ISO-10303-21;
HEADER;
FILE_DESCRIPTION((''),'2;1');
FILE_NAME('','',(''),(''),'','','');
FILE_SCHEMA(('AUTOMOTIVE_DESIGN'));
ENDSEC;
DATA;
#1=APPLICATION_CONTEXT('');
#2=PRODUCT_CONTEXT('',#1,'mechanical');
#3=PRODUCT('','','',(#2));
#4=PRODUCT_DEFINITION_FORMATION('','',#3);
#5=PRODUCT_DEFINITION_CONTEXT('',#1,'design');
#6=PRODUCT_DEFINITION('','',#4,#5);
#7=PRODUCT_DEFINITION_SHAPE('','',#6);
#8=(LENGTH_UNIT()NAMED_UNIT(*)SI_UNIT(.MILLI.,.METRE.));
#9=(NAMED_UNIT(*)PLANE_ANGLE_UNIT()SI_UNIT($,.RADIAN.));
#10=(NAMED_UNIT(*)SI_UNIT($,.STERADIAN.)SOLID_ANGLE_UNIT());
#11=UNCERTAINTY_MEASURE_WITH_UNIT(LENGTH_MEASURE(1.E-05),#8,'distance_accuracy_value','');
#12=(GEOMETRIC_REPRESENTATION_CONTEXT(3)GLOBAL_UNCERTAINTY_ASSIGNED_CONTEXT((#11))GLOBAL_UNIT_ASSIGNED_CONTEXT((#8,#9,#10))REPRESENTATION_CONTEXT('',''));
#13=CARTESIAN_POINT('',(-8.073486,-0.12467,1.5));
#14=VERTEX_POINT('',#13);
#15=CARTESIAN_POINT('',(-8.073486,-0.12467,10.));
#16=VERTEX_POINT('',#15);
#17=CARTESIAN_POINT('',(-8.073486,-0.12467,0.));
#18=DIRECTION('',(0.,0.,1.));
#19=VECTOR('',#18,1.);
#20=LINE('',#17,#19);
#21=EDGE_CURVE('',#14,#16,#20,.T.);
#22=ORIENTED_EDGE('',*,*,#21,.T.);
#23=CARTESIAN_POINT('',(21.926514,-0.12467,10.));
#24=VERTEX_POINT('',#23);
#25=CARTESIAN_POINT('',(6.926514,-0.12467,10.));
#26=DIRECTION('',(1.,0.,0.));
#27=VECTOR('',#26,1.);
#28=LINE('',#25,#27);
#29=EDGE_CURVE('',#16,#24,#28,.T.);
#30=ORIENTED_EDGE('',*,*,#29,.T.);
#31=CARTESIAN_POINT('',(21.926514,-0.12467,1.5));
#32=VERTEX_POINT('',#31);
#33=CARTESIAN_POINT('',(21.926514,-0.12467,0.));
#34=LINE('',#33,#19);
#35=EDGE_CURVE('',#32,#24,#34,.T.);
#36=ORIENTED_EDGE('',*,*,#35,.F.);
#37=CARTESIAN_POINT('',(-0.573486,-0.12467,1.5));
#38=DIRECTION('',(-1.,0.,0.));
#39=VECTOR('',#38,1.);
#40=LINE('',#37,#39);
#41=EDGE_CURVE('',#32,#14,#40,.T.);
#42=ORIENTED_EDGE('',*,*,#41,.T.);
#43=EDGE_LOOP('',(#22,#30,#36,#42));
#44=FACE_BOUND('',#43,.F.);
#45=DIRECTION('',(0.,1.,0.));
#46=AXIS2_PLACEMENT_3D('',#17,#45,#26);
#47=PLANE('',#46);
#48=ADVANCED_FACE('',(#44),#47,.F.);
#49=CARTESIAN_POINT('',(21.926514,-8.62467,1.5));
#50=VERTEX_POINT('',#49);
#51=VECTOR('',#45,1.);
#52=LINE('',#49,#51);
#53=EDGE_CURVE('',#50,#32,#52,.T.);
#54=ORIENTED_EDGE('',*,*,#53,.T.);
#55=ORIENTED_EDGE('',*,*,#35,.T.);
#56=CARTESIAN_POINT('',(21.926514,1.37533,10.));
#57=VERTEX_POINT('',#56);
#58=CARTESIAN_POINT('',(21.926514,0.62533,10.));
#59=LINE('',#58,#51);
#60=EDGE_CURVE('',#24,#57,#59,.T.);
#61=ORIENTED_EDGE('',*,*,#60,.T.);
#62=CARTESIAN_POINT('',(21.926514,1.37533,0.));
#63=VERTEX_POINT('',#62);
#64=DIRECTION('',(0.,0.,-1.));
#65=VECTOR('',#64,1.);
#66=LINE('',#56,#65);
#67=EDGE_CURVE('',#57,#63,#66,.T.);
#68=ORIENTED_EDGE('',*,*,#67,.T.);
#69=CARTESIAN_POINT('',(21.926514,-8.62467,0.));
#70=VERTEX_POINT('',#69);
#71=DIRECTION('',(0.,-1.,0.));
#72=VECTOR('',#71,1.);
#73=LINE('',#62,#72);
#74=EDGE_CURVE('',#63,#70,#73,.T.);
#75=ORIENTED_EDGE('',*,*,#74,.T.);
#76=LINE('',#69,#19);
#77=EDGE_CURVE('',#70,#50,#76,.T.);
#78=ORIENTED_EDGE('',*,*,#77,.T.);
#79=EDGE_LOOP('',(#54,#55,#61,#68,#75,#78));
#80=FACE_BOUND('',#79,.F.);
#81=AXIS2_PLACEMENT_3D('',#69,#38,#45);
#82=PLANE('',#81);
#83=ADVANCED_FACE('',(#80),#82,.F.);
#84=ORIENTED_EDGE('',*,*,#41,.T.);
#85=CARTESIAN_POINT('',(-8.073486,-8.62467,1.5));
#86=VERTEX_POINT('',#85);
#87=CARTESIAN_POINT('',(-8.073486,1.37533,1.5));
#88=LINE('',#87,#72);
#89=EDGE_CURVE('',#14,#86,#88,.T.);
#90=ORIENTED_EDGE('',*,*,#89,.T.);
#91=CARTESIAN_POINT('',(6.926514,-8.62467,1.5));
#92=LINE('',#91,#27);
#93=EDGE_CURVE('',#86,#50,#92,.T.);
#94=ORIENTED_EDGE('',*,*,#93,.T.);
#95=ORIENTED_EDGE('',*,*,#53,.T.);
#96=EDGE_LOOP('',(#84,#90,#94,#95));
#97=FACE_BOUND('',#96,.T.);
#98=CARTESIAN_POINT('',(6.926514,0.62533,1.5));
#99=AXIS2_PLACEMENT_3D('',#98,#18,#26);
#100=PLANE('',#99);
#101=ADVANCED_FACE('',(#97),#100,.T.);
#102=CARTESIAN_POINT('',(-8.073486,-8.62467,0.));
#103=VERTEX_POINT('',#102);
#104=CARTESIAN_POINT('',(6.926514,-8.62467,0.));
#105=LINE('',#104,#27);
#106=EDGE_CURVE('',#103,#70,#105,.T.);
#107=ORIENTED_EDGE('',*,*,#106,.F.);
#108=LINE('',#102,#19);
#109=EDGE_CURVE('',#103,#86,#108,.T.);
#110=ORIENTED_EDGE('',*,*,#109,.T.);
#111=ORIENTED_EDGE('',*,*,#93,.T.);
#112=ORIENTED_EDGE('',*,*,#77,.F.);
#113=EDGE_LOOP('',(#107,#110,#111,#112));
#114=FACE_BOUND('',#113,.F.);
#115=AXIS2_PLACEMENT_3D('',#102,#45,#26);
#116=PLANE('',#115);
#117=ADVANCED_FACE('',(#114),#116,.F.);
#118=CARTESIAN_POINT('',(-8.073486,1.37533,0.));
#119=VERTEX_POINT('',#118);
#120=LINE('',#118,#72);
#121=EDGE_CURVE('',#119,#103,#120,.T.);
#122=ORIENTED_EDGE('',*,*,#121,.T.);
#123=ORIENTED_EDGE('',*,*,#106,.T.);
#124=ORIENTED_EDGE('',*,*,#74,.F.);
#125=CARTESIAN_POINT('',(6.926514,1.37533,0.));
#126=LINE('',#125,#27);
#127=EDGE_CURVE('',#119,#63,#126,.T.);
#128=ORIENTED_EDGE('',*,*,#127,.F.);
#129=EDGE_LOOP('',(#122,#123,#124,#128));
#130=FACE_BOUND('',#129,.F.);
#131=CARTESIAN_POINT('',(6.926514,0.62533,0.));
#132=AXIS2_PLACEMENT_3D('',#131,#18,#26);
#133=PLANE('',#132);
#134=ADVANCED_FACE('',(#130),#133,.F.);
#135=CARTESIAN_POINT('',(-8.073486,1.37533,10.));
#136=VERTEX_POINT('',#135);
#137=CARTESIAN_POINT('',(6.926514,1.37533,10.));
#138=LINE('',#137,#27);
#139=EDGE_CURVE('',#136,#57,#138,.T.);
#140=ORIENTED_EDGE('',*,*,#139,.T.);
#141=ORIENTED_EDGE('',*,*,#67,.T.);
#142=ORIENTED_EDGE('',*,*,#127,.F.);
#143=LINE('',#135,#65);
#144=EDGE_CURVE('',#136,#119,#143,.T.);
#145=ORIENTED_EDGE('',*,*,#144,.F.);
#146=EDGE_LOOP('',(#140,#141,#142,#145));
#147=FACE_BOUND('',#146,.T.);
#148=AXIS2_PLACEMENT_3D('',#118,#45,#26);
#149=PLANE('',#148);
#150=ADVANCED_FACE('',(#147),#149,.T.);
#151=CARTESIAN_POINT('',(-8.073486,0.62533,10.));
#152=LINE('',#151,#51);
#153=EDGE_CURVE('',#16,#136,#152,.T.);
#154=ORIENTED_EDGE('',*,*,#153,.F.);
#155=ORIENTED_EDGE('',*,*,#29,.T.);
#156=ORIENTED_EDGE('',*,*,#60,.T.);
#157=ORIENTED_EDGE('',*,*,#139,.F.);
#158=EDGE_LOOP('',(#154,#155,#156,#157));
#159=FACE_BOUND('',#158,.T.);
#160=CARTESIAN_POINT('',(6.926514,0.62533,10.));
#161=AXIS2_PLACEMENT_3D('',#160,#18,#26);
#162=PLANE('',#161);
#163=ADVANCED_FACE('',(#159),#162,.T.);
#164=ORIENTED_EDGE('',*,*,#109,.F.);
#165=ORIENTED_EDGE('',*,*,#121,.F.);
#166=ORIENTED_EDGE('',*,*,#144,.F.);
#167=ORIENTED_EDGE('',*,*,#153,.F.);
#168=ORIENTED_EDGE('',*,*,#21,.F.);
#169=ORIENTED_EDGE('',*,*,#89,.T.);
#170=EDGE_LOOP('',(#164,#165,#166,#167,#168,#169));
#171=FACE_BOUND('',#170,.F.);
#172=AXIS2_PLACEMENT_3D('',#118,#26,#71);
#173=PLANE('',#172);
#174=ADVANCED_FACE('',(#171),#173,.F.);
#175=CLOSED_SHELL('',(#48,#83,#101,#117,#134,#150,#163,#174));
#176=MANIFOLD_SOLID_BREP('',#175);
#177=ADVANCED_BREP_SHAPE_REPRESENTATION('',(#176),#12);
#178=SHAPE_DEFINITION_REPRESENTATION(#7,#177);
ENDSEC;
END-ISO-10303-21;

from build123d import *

# Parameters (mm, degrees)
F0_W     = 30
F0_H     = 1.5
F0_H_2   = 8.5
F1_DEPTH = 1.5
F2_DEPTH = 10


with BuildPart() as f1:
    # F0 (on Top) → F1 (new body)
    with BuildSketch(Plane.XY):
        with Locations((6.926514, 0.62533)):
            Rectangle(F0_W, F0_H)
        with Locations((6.926514, -4.37467)):
            Rectangle(F0_W, F0_H_2)
    extrude(amount=F1_DEPTH)

    # F0 (on Top) → F2 (join)
    with BuildSketch(Plane.XY):
        with Locations((6.926514, 0.62533)):
            Rectangle(F0_W, F0_H)
    extrude(amount=F2_DEPTH)


solid = f1.part
